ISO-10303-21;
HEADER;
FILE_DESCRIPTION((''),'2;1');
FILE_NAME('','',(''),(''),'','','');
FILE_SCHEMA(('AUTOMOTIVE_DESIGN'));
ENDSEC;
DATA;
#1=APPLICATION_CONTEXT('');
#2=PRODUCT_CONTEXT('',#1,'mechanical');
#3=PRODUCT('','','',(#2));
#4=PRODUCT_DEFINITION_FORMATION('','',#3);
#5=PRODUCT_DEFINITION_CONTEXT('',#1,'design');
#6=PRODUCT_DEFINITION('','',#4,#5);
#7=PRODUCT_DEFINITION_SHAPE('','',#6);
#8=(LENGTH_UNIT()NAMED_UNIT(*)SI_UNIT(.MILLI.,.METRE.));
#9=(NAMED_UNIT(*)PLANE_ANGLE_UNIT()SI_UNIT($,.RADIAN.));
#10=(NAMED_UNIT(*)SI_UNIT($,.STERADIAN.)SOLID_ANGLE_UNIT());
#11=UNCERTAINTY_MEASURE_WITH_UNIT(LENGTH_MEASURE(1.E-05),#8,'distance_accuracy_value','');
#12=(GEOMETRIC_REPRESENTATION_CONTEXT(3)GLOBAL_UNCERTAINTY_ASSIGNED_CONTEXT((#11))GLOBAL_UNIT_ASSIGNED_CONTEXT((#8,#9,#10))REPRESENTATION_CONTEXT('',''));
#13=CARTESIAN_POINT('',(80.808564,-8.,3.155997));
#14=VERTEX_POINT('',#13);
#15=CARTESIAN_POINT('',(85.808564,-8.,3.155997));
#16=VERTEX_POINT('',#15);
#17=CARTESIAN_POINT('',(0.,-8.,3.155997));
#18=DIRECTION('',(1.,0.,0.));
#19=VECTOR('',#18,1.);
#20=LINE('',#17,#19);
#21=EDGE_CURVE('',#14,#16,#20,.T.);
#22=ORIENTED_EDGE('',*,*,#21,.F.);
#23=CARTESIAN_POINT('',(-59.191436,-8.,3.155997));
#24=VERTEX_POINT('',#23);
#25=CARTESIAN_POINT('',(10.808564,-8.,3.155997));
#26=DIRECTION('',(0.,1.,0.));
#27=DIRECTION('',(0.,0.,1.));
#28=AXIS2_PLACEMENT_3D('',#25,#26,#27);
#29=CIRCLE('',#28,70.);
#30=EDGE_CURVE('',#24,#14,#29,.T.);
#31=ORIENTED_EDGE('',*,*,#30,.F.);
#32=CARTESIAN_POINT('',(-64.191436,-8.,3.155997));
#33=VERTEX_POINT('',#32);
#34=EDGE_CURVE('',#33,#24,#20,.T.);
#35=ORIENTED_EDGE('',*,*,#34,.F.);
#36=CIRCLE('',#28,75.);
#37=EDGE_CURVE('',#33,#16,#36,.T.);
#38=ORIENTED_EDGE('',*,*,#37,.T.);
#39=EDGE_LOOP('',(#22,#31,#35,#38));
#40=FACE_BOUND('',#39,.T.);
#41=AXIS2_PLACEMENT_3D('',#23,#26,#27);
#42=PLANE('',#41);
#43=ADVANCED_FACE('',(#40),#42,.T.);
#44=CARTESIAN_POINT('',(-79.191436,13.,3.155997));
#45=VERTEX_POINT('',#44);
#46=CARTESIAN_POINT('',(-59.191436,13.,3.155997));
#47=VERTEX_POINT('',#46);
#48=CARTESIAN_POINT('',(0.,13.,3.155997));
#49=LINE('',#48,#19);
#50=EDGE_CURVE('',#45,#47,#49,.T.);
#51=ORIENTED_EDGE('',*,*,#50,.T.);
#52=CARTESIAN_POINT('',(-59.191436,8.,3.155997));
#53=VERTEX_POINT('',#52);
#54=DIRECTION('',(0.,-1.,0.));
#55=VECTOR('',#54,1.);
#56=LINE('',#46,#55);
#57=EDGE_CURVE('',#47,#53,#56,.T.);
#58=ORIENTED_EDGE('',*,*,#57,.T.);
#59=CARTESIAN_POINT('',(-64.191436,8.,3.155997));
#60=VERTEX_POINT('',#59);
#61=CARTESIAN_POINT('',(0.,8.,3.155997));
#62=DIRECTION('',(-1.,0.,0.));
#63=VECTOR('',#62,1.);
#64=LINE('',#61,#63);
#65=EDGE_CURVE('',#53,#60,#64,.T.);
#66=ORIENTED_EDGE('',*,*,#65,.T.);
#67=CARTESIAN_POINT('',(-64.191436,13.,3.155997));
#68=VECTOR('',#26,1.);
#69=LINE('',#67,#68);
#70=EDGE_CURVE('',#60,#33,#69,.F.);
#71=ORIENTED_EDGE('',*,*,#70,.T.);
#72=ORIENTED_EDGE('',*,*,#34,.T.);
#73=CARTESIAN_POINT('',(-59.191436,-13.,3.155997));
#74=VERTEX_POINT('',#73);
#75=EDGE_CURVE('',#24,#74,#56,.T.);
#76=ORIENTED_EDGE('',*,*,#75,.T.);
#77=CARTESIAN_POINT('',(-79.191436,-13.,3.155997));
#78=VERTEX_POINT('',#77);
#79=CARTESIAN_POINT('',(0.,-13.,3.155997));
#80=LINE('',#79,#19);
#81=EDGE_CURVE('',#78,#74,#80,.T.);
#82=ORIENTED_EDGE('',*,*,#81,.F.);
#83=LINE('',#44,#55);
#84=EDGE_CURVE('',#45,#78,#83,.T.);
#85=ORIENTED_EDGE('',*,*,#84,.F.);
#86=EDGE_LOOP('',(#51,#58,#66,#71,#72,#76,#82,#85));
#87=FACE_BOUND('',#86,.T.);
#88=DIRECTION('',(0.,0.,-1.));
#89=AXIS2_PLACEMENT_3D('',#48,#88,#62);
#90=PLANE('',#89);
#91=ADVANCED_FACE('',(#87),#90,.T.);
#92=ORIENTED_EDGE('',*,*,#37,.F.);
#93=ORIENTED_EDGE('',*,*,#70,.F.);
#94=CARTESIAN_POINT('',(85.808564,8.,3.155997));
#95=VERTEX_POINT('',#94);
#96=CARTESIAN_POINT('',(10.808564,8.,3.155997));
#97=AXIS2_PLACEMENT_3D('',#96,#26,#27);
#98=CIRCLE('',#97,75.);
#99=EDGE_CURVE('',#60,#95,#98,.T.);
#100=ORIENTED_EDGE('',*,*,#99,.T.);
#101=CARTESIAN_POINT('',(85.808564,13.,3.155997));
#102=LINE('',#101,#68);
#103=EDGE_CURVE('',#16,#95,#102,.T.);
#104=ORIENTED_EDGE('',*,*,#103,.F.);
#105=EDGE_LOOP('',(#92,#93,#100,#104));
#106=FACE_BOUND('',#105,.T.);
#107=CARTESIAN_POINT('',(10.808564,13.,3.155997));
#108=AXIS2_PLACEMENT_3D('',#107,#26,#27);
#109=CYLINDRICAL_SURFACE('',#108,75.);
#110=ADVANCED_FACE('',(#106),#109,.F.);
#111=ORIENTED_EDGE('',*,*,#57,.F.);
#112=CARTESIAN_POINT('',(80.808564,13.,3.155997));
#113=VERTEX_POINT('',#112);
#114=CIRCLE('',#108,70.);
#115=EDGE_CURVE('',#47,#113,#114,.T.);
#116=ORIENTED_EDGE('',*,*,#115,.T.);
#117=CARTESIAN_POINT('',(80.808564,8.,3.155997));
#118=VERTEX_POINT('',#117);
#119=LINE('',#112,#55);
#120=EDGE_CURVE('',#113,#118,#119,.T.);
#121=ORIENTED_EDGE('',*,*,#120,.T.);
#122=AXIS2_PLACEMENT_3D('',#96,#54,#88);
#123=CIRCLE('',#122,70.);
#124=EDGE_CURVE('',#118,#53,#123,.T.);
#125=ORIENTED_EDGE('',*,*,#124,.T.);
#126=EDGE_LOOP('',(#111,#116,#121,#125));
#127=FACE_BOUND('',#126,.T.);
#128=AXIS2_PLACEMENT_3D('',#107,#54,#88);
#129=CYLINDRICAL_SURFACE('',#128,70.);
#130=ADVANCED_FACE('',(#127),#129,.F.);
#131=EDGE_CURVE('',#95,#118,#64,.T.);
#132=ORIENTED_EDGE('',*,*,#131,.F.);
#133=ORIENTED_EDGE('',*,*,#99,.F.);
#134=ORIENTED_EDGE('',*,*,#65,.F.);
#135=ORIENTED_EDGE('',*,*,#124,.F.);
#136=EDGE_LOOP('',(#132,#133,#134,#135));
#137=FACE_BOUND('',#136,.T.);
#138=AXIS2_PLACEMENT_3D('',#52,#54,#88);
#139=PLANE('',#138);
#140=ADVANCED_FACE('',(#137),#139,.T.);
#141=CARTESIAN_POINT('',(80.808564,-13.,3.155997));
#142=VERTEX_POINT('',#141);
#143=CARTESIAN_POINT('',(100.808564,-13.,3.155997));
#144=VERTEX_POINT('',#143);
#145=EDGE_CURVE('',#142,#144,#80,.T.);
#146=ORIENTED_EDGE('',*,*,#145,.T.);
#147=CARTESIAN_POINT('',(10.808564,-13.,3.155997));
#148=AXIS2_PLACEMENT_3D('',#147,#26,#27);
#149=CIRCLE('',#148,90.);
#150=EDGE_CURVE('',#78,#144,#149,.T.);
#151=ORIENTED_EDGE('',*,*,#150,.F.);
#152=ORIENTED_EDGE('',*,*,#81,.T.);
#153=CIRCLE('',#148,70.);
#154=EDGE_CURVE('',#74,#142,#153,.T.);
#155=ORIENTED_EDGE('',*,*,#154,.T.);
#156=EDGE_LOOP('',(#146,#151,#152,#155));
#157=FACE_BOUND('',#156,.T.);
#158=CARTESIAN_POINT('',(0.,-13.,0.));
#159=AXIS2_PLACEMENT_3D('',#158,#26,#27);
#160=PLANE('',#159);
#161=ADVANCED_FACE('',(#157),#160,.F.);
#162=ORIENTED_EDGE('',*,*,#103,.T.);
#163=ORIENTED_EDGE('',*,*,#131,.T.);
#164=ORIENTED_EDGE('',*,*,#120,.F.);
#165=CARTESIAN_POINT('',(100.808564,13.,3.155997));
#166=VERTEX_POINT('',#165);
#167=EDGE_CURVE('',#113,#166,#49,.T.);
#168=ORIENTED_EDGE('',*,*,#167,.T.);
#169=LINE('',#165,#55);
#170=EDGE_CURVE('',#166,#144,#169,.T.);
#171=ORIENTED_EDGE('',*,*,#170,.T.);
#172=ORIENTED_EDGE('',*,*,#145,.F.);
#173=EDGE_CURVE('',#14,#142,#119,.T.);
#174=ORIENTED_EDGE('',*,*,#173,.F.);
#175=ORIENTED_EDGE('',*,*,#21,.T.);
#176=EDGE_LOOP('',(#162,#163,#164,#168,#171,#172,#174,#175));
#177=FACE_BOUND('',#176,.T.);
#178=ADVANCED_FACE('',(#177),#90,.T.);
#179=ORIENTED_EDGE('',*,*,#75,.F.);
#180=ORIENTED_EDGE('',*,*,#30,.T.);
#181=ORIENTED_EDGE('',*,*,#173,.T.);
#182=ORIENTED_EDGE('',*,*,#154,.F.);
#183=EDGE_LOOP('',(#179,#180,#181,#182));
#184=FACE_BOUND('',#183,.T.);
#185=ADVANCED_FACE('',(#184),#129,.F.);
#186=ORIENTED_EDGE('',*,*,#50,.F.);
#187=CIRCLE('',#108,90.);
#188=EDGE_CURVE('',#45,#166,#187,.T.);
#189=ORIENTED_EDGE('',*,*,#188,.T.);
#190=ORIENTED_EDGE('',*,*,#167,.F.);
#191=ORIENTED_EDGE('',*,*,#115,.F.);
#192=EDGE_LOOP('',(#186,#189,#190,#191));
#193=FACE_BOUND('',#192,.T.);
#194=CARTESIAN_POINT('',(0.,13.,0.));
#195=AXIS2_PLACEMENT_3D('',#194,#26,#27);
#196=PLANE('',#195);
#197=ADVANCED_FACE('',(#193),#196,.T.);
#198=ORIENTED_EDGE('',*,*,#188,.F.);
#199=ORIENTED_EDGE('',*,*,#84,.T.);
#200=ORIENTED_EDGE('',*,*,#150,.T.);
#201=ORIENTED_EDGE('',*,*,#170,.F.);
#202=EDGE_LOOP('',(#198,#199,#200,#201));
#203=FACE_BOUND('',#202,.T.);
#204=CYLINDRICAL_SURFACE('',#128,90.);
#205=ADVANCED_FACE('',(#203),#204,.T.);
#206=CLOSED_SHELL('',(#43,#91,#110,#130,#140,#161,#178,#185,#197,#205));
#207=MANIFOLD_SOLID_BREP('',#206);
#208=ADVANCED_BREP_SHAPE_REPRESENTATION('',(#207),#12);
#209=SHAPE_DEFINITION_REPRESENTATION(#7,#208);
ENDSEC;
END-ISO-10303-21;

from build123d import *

# Parameters (mm, degrees)
BOSS_EXTRUDE1_DEPTH = 13
SKETCH2_W           = 5
SKETCH2_H           = 16


with BuildPart() as part:
    # Sketch1 → Boss-Extrude1 (new, symmetric)
    with BuildSketch(Plane(origin=(0, 0, 0), x_dir=(1, 0, 0), z_dir=(0, 1, 0))):
        with BuildLine():
            Line((-59.191435728, -3.155996626), (-79.191435728, -3.155996626))
            ThreePointArc((-79.191435728, -3.155996626), (10.808564272, -93.155996626), (100.808564272, -3.155996626))
            Line((100.808564272, -3.155996626), (80.808564272, -3.155996626))
            ThreePointArc((80.808564272, -3.155996626), (10.808564272, -73.155996626), (-59.191435728, -3.155996626))
        make_face()
    extrude(amount=BOSS_EXTRUDE1_DEPTH, both=True)

    # Sketch2 → Cut-Revolve1 (revolve, cut)
    with BuildSketch(Plane(origin=(0, 0, 3.155996626), x_dir=(-1, 0, 0), z_dir=(0, 0, -1))):
        with Locations((61.691435728, 0)):
            Rectangle(SKETCH2_W, SKETCH2_H)
    revolve(axis=Axis((10.808564272, 13, 3.155996626), (0, -1, 0)), mode=Mode.SUBTRACT)


solid = part.part
